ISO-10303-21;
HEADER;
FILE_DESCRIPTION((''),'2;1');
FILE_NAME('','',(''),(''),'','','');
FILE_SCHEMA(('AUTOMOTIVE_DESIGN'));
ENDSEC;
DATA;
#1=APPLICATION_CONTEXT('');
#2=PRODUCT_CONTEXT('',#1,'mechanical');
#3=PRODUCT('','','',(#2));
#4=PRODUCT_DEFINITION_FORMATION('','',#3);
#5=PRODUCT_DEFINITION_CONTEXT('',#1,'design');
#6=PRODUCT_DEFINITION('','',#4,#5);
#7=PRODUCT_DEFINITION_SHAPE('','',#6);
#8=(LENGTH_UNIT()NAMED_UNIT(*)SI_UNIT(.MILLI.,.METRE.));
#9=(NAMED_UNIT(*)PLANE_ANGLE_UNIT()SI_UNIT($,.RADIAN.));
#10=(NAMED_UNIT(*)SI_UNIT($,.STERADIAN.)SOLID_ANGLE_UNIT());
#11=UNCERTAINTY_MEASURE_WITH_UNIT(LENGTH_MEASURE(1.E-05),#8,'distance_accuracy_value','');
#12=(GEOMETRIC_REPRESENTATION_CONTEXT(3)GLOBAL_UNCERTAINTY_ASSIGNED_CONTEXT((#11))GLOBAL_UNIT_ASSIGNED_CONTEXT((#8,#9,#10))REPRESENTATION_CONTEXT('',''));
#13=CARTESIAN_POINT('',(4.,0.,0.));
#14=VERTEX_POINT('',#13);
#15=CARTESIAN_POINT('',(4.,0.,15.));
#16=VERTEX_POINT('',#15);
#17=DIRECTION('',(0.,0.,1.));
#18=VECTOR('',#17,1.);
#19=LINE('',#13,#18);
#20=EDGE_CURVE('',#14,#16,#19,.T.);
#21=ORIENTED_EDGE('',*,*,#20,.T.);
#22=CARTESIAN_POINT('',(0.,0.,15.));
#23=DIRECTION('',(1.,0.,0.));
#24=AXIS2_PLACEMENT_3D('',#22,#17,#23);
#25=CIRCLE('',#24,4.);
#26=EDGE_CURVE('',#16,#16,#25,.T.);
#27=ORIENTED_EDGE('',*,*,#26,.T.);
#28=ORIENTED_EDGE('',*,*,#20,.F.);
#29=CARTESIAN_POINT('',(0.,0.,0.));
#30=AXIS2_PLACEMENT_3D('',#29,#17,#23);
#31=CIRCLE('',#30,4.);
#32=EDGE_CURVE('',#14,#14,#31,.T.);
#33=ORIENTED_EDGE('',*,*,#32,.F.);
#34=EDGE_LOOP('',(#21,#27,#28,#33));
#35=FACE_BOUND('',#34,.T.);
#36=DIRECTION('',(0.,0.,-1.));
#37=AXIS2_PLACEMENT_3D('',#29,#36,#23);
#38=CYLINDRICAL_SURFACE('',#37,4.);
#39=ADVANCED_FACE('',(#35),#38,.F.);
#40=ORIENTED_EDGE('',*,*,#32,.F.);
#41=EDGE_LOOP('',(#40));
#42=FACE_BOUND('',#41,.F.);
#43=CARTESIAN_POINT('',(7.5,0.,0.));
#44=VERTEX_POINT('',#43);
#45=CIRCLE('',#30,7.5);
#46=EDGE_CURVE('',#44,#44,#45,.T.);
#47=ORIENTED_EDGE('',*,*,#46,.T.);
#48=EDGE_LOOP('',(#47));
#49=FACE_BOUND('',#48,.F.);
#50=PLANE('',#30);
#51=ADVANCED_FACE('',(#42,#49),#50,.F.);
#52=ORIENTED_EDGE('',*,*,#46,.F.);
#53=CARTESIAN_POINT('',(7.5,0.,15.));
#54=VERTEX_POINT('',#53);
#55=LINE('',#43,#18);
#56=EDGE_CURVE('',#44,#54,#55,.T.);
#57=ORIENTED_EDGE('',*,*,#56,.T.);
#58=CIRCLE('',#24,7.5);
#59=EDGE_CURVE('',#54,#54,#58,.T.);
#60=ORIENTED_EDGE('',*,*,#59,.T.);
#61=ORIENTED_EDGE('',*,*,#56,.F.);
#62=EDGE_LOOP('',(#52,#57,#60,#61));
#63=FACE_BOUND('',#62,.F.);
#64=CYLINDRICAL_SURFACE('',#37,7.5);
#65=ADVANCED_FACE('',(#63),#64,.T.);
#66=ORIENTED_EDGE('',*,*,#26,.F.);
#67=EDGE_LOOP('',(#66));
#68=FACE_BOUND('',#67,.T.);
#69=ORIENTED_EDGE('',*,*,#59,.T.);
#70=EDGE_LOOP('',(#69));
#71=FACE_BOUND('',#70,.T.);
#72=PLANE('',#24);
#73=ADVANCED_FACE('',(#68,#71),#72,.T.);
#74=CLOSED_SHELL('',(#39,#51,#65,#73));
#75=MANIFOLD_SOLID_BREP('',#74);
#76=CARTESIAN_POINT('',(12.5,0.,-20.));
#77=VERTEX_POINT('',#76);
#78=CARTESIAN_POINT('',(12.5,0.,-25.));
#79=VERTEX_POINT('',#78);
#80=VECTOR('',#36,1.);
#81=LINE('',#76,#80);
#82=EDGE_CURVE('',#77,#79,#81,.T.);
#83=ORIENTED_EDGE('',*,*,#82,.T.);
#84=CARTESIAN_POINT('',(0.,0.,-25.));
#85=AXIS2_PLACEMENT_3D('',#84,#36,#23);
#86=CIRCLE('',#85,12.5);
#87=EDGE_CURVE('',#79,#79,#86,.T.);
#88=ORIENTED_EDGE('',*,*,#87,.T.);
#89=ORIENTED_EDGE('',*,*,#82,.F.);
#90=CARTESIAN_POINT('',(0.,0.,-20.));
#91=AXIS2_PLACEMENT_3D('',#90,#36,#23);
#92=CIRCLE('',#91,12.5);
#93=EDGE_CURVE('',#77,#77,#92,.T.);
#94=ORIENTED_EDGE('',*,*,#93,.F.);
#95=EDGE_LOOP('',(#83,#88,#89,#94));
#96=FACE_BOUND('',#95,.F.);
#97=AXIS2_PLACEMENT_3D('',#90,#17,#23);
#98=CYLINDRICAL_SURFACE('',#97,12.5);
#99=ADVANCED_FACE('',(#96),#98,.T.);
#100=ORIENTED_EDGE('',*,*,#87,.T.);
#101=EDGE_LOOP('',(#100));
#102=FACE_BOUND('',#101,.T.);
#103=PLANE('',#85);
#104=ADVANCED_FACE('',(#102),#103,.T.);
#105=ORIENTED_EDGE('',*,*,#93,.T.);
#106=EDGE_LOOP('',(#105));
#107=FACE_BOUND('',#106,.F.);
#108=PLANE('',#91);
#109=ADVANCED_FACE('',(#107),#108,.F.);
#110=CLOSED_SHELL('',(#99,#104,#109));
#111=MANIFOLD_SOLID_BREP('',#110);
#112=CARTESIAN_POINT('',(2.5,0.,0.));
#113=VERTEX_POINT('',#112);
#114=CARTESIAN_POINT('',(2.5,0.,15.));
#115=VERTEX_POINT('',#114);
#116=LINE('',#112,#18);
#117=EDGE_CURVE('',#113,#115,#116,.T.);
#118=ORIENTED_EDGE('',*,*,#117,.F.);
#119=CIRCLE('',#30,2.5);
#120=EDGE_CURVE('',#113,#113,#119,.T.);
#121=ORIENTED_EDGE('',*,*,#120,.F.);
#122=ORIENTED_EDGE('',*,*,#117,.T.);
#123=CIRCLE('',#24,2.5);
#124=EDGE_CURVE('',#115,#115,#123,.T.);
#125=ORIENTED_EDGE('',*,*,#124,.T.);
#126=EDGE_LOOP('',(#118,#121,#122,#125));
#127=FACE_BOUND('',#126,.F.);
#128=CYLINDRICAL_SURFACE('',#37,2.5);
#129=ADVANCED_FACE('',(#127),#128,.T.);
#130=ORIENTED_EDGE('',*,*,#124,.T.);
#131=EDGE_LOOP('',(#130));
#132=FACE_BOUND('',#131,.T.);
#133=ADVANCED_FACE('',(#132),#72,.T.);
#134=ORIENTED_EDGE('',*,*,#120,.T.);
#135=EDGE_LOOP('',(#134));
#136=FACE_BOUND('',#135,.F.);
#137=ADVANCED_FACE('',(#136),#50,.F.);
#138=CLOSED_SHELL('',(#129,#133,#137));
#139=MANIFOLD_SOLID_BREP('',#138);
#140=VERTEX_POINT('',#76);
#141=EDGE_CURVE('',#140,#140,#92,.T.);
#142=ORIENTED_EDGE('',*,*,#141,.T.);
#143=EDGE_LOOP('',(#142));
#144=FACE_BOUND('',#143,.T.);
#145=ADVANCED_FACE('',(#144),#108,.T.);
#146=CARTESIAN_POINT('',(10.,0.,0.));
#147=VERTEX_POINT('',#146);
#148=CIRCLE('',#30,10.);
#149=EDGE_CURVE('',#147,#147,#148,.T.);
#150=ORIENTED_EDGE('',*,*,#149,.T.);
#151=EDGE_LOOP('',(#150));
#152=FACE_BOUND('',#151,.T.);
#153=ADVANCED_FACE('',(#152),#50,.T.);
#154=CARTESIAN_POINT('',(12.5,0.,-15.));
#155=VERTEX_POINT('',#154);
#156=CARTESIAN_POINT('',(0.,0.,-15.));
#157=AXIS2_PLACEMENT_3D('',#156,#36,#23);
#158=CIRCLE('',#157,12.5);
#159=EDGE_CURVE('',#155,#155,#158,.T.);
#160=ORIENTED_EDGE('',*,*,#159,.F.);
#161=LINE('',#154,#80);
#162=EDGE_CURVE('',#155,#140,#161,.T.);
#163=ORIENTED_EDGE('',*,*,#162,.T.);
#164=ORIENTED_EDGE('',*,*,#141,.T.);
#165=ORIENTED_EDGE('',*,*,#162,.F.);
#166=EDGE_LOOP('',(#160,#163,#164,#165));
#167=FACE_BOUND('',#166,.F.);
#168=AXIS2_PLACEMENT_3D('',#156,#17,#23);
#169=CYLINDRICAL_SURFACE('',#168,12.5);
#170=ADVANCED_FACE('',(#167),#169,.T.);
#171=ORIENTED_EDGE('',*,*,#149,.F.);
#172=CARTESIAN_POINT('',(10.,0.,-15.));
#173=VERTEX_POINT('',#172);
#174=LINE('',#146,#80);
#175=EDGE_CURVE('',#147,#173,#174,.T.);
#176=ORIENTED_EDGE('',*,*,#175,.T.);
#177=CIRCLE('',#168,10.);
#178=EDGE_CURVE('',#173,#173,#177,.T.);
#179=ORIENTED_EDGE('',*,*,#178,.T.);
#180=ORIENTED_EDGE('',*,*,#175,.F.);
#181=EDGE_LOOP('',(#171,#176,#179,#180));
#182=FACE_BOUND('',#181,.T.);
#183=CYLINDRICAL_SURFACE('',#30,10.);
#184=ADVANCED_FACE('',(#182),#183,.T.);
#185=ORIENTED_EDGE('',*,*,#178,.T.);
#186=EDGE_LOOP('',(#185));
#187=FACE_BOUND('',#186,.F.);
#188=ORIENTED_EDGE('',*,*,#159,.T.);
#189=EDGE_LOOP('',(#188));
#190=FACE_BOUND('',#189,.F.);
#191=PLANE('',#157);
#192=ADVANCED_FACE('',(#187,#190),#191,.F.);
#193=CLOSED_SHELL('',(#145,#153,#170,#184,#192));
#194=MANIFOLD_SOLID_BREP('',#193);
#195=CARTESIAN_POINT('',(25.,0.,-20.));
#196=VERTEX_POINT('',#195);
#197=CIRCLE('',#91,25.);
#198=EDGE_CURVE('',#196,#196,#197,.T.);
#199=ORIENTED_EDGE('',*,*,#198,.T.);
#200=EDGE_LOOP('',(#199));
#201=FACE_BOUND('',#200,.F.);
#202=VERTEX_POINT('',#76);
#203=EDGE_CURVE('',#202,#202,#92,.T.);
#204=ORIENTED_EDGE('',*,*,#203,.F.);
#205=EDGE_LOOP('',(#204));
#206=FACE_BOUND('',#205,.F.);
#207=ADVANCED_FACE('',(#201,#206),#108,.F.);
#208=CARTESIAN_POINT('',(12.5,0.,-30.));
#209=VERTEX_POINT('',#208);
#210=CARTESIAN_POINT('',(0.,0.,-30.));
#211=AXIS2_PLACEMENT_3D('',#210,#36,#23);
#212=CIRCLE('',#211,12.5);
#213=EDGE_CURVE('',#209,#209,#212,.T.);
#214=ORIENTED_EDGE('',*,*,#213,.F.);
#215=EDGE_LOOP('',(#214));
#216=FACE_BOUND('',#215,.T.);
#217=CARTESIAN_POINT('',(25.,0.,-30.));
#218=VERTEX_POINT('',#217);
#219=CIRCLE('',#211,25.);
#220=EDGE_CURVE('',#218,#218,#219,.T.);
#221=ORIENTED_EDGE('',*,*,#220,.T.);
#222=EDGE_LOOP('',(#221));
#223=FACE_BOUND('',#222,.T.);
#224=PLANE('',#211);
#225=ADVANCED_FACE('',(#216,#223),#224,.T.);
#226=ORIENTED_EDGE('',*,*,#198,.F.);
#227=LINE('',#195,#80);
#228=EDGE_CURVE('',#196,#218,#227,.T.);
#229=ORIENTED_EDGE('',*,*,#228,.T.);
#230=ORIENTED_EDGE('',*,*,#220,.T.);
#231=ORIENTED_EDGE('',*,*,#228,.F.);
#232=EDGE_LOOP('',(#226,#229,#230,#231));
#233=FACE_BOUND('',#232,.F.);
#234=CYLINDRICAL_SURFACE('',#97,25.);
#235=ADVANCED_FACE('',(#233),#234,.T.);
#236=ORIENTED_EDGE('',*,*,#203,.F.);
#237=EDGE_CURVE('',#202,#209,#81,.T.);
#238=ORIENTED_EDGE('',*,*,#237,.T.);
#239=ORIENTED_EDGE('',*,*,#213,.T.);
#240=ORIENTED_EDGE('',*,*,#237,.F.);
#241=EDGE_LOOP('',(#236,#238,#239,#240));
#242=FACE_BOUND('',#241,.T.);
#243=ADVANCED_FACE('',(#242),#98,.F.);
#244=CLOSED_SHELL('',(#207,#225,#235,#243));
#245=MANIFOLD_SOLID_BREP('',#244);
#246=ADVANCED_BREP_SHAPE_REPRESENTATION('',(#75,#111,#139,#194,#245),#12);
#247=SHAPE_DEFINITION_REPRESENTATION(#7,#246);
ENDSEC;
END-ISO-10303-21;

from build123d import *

# Parameters (mm, degrees)
F0_R     = 7.5
F0_R_2   = 4
F0_R_3   = 2.5
F1_DEPTH = 15
F2_R     = 10
F3_DEPTH = 15
F4_R     = 12.5
F5_DEPTH = 5
F7_R     = 25
F7_R_2   = 12.5
F8_DEPTH = 10
F6_R     = 12.5
F9_DEPTH = 5


with BuildPart() as f1:
    # F0 (on Top) → F1 (new body)
    with BuildSketch(Plane.XY):
        Circle(F0_R)
        Circle(F0_R_2, mode=Mode.SUBTRACT)
        Circle(F0_R_3)
    extrude(amount=F1_DEPTH)


with BuildPart() as f3:
    # F2 (on Top) → F3 (new body)
    with BuildSketch(Plane.XY):
        Circle(F2_R)
    extrude(amount=-F3_DEPTH)

    # F4 (on face) → F5 (join)
    with BuildSketch(Plane(origin=(0, 0, -15), x_dir=(1, 0, 0), z_dir=(0, 0, -1))):
        Circle(F4_R)
    extrude(amount=F5_DEPTH)

    # F7 (on face) → F8 (join)
    with BuildSketch(Plane(origin=(0, 0, -20), x_dir=(1, 0, 0), z_dir=(0, 0, -1))):
        Circle(F7_R)
        Circle(F7_R_2, mode=Mode.SUBTRACT)
    extrude(amount=F8_DEPTH)


with BuildPart() as f9:
    # F6 (on face) → F9 (new body)
    with BuildSketch(Plane(origin=(0, 0, -20), x_dir=(1, 0, 0), z_dir=(0, 0, -1))):
        Circle(F6_R)
    extrude(amount=F9_DEPTH)


solid = Compound([f1.part, f3.part, f9.part])
